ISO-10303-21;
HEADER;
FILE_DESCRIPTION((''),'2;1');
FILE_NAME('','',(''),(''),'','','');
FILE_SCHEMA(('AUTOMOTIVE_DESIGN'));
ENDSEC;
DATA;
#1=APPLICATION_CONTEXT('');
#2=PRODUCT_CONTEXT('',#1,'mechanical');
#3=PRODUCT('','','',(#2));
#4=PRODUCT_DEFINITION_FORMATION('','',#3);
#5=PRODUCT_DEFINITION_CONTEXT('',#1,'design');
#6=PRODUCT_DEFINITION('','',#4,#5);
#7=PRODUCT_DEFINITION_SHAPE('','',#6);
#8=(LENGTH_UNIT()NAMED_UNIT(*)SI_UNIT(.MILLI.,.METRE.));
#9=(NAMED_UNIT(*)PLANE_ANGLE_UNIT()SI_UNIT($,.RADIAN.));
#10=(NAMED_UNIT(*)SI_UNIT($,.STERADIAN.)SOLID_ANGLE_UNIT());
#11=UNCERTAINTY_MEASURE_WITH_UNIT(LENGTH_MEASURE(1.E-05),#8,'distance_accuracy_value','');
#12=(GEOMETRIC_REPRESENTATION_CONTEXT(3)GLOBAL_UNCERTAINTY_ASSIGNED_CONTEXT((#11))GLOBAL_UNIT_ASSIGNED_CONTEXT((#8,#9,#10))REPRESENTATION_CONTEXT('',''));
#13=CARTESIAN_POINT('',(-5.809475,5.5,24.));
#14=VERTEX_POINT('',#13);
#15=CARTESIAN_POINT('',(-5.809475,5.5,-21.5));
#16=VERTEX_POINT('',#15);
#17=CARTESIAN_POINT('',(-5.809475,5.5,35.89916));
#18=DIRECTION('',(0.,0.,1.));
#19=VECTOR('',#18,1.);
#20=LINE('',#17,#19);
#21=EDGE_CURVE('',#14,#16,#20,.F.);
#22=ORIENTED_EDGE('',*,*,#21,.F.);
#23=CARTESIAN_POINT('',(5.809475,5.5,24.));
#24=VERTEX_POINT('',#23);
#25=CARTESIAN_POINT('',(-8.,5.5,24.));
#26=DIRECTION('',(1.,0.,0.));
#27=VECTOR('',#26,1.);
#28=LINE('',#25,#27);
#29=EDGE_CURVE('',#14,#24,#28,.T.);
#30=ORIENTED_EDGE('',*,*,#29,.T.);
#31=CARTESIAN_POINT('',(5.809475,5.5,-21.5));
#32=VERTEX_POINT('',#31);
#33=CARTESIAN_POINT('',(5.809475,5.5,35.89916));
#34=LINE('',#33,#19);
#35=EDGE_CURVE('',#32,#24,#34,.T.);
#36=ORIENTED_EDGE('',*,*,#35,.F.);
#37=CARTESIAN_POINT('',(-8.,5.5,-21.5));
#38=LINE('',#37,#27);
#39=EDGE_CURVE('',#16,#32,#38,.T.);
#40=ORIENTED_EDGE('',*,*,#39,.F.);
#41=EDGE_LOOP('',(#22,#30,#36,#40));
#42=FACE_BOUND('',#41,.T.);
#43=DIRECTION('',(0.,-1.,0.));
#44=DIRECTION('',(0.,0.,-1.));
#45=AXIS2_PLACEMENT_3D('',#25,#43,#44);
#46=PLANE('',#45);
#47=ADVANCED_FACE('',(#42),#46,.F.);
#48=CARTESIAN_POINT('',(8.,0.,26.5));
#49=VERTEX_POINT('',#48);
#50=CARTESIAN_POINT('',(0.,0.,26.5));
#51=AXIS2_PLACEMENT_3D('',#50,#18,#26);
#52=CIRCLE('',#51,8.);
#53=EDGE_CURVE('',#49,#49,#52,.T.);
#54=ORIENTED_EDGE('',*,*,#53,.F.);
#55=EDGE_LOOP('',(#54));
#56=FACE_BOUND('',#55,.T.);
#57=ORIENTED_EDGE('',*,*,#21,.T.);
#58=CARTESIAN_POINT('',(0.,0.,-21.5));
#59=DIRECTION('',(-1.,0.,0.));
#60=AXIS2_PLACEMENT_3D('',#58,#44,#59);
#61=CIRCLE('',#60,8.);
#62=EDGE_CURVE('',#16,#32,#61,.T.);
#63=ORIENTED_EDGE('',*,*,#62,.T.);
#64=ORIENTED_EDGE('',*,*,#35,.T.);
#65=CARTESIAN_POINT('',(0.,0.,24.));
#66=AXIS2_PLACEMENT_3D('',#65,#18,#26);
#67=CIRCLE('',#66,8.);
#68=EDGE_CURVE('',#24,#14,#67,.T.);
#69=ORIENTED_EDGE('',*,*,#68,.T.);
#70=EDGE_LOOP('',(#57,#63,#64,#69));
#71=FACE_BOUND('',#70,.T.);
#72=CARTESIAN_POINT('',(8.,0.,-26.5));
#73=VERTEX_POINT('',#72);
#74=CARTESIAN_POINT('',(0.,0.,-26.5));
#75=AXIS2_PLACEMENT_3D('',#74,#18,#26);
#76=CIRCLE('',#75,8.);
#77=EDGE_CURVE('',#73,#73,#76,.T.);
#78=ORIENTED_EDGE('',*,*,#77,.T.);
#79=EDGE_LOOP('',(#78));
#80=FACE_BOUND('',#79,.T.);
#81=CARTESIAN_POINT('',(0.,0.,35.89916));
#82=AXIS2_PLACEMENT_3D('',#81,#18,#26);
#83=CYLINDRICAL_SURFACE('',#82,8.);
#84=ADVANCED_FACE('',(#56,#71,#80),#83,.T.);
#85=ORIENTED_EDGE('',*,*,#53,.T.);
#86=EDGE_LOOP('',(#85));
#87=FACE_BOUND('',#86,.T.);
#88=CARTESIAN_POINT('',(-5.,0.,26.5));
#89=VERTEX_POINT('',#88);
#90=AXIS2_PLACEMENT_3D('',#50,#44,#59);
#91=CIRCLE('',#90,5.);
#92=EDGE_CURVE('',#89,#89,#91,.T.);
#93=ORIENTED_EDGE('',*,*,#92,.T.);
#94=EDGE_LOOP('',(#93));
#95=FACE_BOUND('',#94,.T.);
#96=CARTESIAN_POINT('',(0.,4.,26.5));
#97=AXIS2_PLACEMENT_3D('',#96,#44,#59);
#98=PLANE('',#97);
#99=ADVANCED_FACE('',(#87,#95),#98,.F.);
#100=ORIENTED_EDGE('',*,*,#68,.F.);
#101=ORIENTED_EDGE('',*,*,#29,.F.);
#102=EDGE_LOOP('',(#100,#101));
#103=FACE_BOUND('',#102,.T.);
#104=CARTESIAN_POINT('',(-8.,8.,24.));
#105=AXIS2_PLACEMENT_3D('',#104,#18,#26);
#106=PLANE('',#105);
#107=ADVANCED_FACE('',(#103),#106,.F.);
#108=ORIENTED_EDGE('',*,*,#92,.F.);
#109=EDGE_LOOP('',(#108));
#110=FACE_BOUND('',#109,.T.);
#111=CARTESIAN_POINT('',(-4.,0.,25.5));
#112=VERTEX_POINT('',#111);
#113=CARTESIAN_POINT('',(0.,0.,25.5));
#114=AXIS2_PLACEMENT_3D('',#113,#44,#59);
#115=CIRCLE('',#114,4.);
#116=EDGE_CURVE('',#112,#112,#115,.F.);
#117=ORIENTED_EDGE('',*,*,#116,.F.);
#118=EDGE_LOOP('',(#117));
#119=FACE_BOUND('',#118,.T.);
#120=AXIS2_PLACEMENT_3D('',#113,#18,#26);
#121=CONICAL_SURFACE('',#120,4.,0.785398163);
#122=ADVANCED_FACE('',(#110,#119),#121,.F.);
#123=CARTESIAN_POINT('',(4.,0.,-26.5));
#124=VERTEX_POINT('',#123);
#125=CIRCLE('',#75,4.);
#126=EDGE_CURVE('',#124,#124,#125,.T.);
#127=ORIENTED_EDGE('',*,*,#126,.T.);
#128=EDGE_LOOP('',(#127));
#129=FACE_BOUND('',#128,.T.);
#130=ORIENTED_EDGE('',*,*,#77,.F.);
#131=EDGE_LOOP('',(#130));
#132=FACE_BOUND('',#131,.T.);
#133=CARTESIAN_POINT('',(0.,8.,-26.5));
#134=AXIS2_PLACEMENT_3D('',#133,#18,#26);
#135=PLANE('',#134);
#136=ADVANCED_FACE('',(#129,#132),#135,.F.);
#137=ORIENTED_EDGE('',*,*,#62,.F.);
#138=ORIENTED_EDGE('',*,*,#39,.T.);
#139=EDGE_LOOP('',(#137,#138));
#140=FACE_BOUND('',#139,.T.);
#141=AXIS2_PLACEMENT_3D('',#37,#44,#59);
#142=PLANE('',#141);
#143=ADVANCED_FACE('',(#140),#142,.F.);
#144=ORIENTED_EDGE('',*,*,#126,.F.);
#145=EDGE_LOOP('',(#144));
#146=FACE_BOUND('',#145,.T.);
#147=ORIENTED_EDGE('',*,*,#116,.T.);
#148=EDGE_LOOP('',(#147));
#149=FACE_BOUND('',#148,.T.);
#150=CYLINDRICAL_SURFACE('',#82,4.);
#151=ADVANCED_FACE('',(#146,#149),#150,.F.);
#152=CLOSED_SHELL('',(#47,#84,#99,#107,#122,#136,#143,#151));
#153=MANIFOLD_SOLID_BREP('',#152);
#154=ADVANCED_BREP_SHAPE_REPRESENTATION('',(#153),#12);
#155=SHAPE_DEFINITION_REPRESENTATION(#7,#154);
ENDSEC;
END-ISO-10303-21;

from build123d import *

# Parameters (mm, degrees)
CROQUIS1_W                 = 53
CROQUIS1_H                 = 4
CHAFL_N1_SIZE              = 1
CORTAR_EXTRUIR1_DEPTH      = 29.814059068
CORTAR_EXTRUIR1_DEPTH_BACK = 29.814059068
CROQUIS2_W                 = 45.5
CROQUIS2_H                 = 2.5


with BuildPart() as part:
    # Croquis1 → Revolución1 (revolve)
    with BuildSketch(Plane(origin=(0, 0, 0), x_dir=(0, 0, -1), z_dir=(1, 0, 0)), mode=Mode.PRIVATE) as revoluci_n1_sk:
        with Locations((0, 6)):
            Rectangle(CROQUIS1_W, CROQUIS1_H)
    revolve(revoluci_n1_sk.sketch.rotate(Axis((0, 0, 35.899159664), (0, 0, -1)), 90), axis=Axis((0, 0, 35.899159664), (0, 0, -1)))

    # Chaflán1
    chafl_n1_edges = [part.edges().sort_by_distance(p)[0] for p in [
        (-4, 0, 26.5),
    ]]
    chamfer(chafl_n1_edges, length=CHAFL_N1_SIZE)

    # Croquis2 → Cortar-Extruir1 (cut, two sides: drawn at the far end of the back side and taken through both)
    with BuildSketch(Plane(origin=(0, 0, 0), x_dir=(0, 0, -1), z_dir=(1, 0, 0)).offset(-CORTAR_EXTRUIR1_DEPTH_BACK)):
        with Locations((-1.25, 6.75)):
            Rectangle(CROQUIS2_W, CROQUIS2_H)
    extrude(amount=CORTAR_EXTRUIR1_DEPTH + CORTAR_EXTRUIR1_DEPTH_BACK, mode=Mode.SUBTRACT)


solid = part.part
